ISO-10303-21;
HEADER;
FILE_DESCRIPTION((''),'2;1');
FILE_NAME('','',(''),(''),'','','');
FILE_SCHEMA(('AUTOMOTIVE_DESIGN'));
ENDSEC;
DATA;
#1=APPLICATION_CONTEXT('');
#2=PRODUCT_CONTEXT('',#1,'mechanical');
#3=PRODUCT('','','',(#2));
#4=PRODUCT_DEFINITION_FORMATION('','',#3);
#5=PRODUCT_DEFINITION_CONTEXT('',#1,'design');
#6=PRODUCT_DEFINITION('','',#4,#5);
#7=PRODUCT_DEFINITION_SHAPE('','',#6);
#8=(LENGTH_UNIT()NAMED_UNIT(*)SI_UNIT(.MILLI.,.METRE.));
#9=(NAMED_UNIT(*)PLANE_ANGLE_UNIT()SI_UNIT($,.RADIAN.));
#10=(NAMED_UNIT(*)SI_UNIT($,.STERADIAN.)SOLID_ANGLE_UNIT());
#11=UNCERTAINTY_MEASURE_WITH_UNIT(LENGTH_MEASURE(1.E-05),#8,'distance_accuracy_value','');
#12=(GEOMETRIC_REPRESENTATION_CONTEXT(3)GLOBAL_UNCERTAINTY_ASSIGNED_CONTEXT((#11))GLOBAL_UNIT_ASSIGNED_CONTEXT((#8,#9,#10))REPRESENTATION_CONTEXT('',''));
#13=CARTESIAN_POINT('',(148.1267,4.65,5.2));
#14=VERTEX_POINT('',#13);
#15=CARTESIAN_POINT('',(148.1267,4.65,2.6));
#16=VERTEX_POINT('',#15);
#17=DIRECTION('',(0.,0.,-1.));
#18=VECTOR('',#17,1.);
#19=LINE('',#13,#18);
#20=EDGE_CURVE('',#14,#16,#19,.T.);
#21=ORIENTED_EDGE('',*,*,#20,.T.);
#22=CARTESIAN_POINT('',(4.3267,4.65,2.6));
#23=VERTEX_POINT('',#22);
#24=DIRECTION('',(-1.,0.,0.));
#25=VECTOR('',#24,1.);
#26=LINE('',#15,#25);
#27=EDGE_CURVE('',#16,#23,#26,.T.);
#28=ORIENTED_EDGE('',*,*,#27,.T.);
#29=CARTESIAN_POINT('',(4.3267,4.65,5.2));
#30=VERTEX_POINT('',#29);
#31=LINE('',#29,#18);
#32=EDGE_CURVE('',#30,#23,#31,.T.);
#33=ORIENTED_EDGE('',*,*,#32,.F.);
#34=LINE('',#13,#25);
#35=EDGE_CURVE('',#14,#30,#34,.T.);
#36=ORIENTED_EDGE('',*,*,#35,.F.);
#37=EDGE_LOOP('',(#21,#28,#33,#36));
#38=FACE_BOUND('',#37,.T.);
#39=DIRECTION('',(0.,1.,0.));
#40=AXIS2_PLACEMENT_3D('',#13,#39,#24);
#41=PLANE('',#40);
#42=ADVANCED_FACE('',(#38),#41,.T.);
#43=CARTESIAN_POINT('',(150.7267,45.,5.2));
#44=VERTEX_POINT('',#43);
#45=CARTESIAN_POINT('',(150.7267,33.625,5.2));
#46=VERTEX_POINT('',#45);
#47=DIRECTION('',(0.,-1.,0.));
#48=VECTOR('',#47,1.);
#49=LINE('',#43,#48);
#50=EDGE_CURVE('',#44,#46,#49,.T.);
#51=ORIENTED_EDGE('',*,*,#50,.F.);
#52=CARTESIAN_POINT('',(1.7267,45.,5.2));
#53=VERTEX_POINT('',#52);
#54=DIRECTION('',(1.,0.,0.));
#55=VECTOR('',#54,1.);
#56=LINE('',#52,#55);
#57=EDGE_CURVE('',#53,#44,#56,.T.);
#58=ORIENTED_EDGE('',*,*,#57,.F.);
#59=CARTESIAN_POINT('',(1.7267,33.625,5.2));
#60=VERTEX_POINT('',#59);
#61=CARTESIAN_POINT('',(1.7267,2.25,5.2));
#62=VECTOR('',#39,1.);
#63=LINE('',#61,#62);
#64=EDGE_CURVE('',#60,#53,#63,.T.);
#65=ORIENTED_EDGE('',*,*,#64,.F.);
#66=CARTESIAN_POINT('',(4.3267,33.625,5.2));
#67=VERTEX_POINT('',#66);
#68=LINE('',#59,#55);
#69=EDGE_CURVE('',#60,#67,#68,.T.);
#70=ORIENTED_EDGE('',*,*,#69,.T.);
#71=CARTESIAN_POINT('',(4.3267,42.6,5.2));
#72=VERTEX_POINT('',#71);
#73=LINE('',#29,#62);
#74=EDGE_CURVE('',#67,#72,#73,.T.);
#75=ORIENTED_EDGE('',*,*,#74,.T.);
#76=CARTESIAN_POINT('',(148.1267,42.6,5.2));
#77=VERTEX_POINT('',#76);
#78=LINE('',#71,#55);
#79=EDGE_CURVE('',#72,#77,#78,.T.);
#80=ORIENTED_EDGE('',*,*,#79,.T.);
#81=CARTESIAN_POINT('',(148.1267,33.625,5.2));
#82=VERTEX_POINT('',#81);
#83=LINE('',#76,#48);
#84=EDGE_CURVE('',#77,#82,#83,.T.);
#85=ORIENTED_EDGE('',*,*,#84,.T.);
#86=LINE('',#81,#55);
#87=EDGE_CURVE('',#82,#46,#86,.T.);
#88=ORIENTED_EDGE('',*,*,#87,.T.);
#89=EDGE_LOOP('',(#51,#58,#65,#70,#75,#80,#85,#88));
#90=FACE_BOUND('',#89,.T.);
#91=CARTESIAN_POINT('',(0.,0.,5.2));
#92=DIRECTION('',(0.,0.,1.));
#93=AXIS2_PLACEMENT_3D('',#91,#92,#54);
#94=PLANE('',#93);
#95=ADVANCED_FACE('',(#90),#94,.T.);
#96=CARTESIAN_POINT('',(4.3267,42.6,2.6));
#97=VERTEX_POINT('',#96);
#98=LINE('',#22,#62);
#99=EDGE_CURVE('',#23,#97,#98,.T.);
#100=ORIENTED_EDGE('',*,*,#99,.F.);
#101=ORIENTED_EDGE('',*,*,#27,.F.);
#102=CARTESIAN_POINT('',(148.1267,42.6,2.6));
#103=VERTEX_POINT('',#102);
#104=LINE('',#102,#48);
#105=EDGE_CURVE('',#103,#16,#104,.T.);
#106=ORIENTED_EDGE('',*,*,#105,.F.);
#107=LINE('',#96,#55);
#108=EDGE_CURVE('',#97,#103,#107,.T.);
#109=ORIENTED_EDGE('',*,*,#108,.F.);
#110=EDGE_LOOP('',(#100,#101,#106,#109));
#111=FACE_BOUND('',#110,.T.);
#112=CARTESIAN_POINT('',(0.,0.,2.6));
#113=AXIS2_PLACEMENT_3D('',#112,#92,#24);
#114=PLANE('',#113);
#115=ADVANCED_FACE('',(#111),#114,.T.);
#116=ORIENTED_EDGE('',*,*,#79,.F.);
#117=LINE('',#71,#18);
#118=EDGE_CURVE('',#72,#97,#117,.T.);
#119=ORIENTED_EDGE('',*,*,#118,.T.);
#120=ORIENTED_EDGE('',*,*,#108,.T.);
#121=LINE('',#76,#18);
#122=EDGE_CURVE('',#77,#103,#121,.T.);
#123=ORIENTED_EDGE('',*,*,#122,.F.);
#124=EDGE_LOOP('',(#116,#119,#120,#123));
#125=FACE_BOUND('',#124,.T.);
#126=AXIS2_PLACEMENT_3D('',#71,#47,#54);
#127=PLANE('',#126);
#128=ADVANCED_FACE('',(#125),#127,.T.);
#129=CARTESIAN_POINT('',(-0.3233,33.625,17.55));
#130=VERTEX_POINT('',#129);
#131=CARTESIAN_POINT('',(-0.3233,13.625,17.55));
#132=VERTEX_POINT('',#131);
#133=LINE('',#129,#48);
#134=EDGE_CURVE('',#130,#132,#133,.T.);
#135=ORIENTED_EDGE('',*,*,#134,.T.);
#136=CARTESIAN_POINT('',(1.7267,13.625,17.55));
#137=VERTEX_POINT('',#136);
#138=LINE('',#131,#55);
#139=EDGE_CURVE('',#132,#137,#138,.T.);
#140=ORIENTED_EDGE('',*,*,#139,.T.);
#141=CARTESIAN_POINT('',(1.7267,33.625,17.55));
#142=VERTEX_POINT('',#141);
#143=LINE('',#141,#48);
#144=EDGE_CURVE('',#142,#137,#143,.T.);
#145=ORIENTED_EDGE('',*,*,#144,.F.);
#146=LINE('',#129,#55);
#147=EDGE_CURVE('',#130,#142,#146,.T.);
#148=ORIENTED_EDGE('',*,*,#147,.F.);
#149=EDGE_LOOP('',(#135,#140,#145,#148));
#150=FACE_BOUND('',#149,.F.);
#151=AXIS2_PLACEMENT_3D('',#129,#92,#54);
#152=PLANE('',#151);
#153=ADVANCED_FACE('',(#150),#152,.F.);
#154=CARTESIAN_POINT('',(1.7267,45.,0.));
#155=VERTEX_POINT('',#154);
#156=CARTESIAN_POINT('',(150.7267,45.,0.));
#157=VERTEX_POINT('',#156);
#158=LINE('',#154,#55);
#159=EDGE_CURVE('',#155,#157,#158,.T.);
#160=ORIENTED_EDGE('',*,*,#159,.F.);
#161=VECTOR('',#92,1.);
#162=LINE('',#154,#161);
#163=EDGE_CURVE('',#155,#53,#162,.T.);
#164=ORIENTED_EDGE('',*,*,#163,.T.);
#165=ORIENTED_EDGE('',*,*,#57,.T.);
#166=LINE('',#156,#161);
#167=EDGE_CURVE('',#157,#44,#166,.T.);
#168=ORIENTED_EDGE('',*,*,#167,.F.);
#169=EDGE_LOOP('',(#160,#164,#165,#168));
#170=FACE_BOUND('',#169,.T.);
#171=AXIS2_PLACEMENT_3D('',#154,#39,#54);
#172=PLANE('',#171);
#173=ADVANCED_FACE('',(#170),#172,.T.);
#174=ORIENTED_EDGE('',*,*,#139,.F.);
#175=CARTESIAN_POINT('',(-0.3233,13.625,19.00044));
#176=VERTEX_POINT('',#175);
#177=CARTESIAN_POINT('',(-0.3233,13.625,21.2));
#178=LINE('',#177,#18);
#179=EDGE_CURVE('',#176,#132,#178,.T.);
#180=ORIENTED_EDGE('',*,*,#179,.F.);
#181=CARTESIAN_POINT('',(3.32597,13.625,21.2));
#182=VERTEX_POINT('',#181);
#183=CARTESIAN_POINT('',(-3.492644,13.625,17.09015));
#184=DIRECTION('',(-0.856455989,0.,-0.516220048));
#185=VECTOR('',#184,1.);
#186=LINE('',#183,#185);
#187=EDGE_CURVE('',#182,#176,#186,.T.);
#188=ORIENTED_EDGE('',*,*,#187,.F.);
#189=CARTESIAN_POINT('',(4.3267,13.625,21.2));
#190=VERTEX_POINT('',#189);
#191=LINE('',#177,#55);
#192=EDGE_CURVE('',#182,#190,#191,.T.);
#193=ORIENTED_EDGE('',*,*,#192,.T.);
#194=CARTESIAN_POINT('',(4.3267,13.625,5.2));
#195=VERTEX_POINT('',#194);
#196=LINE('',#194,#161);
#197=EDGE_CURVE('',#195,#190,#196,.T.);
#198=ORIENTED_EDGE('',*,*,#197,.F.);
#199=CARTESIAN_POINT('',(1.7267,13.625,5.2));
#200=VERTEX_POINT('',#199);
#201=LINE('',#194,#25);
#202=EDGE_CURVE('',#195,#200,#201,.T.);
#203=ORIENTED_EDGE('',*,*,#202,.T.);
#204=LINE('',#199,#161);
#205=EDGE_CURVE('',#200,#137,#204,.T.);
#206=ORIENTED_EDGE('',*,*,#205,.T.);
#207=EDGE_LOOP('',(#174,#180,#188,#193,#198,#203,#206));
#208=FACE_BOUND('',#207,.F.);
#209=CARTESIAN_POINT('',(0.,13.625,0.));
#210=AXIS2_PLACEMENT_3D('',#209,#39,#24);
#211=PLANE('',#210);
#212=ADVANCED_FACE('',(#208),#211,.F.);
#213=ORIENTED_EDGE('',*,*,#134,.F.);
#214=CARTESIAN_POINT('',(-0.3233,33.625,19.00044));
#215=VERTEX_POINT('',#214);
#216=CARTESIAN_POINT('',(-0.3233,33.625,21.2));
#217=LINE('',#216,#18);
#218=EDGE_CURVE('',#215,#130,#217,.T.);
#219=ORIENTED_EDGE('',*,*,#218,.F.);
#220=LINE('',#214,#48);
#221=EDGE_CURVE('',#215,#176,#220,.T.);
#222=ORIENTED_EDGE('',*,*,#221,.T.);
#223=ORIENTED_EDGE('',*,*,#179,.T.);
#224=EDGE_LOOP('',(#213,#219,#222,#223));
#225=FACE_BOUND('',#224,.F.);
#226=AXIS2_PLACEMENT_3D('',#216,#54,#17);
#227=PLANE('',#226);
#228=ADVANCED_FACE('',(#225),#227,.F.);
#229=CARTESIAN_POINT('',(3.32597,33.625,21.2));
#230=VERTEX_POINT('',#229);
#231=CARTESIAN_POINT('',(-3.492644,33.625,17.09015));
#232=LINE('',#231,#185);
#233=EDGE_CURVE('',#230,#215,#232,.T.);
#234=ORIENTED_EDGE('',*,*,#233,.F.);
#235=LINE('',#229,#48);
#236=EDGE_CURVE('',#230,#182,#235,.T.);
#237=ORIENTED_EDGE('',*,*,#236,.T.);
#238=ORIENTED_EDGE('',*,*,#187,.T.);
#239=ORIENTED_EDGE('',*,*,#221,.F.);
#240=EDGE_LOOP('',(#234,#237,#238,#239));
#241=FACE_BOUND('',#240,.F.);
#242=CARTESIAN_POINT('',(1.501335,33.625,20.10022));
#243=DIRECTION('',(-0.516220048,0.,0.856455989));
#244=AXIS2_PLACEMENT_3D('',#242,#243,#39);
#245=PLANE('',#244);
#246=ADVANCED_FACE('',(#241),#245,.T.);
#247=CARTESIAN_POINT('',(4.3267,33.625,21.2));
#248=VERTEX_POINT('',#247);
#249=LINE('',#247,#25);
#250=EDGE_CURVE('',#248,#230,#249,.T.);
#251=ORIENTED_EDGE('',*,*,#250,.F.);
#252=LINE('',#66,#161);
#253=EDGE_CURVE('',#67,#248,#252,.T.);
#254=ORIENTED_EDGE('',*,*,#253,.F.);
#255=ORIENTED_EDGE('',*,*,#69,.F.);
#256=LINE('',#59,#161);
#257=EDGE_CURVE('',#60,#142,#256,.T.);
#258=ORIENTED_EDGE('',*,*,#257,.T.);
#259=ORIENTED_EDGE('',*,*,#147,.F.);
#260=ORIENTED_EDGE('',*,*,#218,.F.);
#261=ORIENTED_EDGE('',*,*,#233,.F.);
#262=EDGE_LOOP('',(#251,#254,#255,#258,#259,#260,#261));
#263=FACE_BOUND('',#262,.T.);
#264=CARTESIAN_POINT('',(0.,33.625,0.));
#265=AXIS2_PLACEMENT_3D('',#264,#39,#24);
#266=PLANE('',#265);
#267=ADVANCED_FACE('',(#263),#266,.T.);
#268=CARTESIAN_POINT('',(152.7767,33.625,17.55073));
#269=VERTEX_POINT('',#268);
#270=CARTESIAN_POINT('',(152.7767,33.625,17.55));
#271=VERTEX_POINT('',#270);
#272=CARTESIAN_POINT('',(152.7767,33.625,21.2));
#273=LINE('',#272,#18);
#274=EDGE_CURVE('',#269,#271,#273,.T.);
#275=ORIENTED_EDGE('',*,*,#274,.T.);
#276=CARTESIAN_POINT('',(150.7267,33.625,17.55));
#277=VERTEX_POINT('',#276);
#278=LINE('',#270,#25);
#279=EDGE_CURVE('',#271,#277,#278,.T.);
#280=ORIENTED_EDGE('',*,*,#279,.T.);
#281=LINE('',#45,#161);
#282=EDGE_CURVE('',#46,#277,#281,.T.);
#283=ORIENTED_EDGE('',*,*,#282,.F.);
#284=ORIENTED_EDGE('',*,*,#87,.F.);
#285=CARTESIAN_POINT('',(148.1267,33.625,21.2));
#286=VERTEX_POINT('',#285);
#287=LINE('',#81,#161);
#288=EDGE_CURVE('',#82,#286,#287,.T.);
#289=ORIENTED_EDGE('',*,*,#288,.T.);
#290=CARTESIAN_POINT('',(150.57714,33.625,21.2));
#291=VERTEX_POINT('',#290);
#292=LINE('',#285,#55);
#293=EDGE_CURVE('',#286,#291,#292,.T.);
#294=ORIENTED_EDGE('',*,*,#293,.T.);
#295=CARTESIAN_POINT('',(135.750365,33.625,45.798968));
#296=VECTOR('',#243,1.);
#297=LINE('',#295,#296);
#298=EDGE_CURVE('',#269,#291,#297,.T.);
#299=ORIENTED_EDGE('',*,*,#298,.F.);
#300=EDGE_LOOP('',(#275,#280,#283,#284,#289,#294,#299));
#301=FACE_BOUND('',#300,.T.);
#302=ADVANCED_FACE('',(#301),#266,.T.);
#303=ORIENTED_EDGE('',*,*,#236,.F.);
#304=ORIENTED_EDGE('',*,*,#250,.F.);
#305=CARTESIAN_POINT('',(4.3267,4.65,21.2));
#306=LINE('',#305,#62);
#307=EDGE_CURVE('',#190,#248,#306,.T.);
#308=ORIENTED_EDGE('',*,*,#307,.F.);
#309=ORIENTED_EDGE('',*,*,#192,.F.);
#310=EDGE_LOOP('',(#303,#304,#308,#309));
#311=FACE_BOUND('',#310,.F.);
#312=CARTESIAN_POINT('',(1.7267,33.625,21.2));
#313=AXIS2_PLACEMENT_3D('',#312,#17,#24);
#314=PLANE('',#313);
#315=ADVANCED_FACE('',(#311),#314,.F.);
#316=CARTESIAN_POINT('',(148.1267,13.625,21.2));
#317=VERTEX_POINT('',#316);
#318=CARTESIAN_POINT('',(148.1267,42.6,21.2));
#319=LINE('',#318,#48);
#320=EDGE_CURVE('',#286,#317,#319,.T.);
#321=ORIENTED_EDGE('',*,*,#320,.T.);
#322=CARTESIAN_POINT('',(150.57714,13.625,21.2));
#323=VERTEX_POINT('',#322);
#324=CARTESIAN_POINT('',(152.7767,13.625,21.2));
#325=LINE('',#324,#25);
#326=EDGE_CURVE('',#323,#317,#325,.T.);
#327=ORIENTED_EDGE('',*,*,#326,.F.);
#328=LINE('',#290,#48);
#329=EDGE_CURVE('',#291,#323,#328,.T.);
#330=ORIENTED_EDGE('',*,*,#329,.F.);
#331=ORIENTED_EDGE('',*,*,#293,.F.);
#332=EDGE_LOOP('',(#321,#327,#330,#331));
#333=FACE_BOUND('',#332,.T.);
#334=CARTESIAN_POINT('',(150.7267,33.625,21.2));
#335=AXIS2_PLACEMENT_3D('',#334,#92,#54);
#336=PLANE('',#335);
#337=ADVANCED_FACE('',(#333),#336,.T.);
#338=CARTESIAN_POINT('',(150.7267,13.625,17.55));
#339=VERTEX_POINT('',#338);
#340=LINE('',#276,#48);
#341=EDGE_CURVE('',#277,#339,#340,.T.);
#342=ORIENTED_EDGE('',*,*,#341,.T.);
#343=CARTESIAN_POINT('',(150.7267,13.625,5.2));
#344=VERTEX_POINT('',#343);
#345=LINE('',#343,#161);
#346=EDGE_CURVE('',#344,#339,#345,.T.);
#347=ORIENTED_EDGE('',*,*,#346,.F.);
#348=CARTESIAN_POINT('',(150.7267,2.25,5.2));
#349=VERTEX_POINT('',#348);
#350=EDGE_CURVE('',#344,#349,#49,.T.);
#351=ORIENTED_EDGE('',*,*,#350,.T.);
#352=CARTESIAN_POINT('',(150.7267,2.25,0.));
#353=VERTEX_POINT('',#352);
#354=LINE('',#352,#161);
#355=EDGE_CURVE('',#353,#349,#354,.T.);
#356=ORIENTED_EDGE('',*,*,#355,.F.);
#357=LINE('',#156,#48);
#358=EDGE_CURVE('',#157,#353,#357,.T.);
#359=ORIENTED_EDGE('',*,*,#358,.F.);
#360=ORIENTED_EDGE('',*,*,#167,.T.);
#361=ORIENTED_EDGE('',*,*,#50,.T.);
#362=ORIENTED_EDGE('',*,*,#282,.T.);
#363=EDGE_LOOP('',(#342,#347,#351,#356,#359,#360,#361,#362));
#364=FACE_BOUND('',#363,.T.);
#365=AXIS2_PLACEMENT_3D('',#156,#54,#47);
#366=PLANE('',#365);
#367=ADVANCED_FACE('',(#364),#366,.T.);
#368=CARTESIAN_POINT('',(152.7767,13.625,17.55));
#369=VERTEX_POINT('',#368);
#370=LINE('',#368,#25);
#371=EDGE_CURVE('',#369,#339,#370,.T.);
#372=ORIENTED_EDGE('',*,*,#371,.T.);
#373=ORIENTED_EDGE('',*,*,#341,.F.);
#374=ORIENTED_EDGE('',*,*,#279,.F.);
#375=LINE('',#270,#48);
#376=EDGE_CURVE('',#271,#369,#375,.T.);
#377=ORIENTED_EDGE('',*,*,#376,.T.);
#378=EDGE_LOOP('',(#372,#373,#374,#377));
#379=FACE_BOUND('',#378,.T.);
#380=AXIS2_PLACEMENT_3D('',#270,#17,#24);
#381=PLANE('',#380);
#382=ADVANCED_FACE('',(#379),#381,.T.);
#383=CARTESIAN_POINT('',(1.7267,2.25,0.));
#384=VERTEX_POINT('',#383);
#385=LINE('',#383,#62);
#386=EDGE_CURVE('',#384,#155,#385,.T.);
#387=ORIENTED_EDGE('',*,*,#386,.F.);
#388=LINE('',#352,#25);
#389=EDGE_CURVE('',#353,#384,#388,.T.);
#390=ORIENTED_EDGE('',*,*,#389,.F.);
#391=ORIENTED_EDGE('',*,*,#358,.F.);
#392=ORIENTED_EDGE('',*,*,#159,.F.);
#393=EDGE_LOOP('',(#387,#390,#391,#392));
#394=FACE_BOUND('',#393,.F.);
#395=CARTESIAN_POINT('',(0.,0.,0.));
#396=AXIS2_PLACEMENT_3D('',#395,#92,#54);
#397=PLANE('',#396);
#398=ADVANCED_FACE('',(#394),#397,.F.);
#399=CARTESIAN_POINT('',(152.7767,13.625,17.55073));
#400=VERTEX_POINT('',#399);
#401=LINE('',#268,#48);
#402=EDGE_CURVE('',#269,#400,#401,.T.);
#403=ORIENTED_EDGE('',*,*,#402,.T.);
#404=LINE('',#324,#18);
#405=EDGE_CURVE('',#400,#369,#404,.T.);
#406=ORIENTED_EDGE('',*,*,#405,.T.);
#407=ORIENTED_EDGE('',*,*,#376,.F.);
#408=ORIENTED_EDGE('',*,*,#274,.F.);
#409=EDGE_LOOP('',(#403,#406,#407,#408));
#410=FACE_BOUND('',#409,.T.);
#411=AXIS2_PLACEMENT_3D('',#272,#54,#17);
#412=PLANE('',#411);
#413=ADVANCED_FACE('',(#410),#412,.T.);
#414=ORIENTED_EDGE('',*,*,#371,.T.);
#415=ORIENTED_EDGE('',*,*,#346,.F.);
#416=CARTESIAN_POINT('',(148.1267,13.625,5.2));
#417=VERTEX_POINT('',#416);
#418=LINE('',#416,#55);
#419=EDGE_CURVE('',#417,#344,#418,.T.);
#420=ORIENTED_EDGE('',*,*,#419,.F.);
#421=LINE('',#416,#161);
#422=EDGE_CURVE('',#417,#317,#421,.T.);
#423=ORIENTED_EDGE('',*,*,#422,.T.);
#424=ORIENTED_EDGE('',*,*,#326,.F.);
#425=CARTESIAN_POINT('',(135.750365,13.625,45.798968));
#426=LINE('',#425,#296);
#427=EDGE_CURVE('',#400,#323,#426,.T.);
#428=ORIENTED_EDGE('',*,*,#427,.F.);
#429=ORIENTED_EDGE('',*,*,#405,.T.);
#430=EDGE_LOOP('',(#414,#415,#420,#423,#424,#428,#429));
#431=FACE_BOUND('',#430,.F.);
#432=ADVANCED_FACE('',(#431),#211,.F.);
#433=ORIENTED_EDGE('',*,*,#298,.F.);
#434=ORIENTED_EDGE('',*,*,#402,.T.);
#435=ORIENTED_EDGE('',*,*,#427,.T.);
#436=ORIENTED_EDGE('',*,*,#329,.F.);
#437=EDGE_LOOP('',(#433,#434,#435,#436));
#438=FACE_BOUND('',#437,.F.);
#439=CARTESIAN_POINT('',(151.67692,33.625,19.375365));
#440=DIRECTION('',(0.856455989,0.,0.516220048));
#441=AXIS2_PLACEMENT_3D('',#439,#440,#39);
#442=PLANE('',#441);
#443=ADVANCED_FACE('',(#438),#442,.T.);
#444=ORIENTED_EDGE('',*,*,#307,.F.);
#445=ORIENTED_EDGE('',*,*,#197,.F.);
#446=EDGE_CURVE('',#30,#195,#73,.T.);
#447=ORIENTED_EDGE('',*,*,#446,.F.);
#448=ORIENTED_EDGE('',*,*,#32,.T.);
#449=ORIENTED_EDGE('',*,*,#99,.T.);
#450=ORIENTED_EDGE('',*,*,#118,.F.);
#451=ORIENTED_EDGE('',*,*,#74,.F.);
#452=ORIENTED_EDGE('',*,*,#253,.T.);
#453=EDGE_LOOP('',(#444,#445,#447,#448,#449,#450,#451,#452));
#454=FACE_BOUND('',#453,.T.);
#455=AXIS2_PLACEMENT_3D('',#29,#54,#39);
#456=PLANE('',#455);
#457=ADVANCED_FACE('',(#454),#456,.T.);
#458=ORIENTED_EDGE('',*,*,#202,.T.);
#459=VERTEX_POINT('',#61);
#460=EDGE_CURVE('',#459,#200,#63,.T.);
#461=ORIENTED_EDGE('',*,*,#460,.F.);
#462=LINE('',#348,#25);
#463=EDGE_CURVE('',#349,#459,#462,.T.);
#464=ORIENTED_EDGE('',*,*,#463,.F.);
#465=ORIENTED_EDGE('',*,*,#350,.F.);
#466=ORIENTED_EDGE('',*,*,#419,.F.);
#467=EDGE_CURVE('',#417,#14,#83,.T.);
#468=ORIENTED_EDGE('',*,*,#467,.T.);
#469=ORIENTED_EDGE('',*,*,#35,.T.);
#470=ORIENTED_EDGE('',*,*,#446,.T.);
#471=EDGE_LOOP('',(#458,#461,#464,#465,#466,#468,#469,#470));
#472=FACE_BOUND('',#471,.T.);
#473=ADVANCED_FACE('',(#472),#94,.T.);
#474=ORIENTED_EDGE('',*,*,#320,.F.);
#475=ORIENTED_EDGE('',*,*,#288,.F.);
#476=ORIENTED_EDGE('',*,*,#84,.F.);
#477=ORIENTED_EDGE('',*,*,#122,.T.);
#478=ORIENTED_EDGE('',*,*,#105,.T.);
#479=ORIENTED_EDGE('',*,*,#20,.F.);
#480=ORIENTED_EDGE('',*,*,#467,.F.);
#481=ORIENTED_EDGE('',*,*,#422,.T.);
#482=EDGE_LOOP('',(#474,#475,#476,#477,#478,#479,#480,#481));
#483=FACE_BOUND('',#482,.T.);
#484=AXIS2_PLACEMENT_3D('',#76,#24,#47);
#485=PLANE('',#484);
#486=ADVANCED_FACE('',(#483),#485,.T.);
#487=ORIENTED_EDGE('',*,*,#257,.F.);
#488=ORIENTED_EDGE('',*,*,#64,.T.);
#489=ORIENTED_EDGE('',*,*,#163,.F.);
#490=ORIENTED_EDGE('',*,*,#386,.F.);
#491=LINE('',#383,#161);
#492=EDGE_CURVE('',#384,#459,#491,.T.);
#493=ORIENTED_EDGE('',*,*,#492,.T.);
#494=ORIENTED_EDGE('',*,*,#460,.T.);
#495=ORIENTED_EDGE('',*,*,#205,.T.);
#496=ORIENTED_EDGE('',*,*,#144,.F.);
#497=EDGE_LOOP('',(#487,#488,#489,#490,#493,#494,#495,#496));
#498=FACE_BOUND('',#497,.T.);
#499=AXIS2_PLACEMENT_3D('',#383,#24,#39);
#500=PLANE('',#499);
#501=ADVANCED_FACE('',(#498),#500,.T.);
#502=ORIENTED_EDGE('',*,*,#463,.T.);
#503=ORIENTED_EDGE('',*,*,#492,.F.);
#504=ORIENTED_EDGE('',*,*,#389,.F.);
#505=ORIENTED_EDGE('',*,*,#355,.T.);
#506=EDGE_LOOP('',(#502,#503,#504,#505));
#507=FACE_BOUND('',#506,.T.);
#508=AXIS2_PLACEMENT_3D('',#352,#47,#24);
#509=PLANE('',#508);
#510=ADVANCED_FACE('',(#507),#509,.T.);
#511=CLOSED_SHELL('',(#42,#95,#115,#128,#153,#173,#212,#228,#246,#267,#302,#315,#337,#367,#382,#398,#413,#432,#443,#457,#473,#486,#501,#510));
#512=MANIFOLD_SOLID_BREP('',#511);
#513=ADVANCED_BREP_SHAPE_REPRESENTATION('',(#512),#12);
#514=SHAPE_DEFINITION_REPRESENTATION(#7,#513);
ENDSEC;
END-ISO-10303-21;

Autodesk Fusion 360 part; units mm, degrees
sketch "Base" plane through (0, 0, 0) normal (0, 0, 1) x (1, 0, 0)
  line L0 (1.7267, 45) -> (150.7267, 45)
  line L1 (150.7267, 45) -> (150.7267, 2.25)
  line L2 (150.7267, 2.25) -> (1.7267, 2.25)
  line L3 (1.7267, 2.25) -> (1.7267, 45)
  dimension "d1" = 149
  dimension "d2" = 42.75
extrude "Extrude1" add sketch "Base" along normal blind 5.2
sketch "Frame" plane through (0, 0, 5.2) normal (0, 0, 1) x (-1, 0, 0)
  line L0 (-1.7267, -2.25) -> (-150.7267, -2.25)
  line L1 (-150.7267, -2.25) -> (-150.7267, -45)
  line L2 (-150.7267, -45) -> (-1.7267, -45)
  line L3 (-1.7267, -45) -> (-1.7267, -2.25)
  line L4 (-4.3267, -42.6) -> (-148.1267, -42.6)
  line L5 (-148.1267, -42.6) -> (-148.1267, -4.65)
  line L6 (-148.1267, -4.65) -> (-4.3267, -4.65)
  line L7 (-4.3267, -4.65) -> (-4.3267, -42.6)
  dimension "d5" = 2.4
  dimension "d6" = 2.6
  dimension "d7" = 2.4
  dimension "d8" = 2.6
extrude "Extrude2" cut sketch "Frame" against normal blind 2.6 contours L4 L5 L6 L7
sketch "Hook" plane through (0, 0, 5.2) normal (0, 0, 1) x (-1, 0, 0)
  line L0 (-148.1267, -42.6) -> (-148.1267, -4.65)
  line L1 (-148.1267, -4.65) -> (-4.3267, -4.65)
  line L2 (-4.3267, -4.65) -> (-4.3267, -42.6)
  line L3 (-4.3267, -42.6) -> (-148.1267, -42.6)
  line L4 (-1.7267, -2.25) -> (-150.7267, -2.25)
  line L5 (-150.7267, -2.25) -> (-150.7267, -45)
  line L6 (-150.7267, -45) -> (-1.7267, -45)
  line L7 (-1.7267, -45) -> (-1.7267, -2.25)
  line L8 (-1.7267, -33.625) -> (-4.3267, -33.625)
  line L9 (-4.3267, -13.625) -> (-1.7267, -13.625)
  line L10 (-148.1267, -33.625) -> (-150.7267, -33.625)
  line L11 (-148.1267, -13.625) -> (-150.7267, -13.625)
  dimension "d11" = 20
  dimension "d12" = 11.375
  dimension "d13" = 12.2767
  dimension "d14" = 11.375
  dimension "d15" = 20
extrude "Extrude3" add sketch "Hook" along normal blind 16 contours L0 L5 L10 L11 | L2 L7 L8 L9
sketch "Hook Left" plane through (0, 33.625, 0) normal (0, 1, 0) x (-1, 0, 0)
  line L0 (-150.7267, 5.2) -> (-148.1267, 5.2)
  line L1 (-148.1267, 5.2) -> (-148.1267, 21.2)
  line L2 (-148.1267, 21.2) -> (-150.7267, 21.2)
  line L3 (-150.7267, 21.2) -> (-150.7267, 5.2)
  line L4 (-148.1267, 21.2) -> (-152.7767, 21.2)
  line L5 (-152.7767, 21.2) -> (-152.7767, 17.55)
  line L6 (-152.7767, 17.55) -> (-148.1267, 17.55)
  line L7 (-148.1267, 17.55) -> (-148.1267, 21.2)
  dimension "d18" = 3.65
  dimension "d19" = 4.65
extrude "Extrude4" add sketch "Hook Left" against normal blind 20 contours L3 L4 L5 L6
sketch "Hook Right" plane through (0, 33.625, 0) normal (0, 1, 0) x (-1, 0, 0)
  line L0 (-4.3267, 5.2) -> (-1.7267, 5.2)
  line L1 (-1.7267, 5.2) -> (-1.7267, 21.2)
  line L2 (-1.7267, 21.2) -> (-4.3267, 21.2)
  line L3 (-4.3267, 21.2) -> (-4.3267, 5.2)
  line L4 (-4.3267, 21.2) -> (0.3233, 21.2)
  line L5 (0.3233, 21.2) -> (0.3233, 17.55)
  line L6 (0.3233, 17.55) -> (-4.3267, 17.55)
  line L7 (-4.3267, 17.55) -> (-4.3267, 21.2)
  dimension "d22" = 3.65
  dimension "d23" = 4.65
extrude "Extrude5" add sketch "Hook Right" against normal blind 20 contours L1 L4 L5 L6
chamfer "Chamfer1" distance 3.65 distance2 2.2 2 edges at (152.7767, 23.625, 21.2) (-0.3233, 23.625, 21.2) measured on face at (152.7767, 26.9583, 19.9833) measured on face at (2.7767, 20.2917, 21.2)
